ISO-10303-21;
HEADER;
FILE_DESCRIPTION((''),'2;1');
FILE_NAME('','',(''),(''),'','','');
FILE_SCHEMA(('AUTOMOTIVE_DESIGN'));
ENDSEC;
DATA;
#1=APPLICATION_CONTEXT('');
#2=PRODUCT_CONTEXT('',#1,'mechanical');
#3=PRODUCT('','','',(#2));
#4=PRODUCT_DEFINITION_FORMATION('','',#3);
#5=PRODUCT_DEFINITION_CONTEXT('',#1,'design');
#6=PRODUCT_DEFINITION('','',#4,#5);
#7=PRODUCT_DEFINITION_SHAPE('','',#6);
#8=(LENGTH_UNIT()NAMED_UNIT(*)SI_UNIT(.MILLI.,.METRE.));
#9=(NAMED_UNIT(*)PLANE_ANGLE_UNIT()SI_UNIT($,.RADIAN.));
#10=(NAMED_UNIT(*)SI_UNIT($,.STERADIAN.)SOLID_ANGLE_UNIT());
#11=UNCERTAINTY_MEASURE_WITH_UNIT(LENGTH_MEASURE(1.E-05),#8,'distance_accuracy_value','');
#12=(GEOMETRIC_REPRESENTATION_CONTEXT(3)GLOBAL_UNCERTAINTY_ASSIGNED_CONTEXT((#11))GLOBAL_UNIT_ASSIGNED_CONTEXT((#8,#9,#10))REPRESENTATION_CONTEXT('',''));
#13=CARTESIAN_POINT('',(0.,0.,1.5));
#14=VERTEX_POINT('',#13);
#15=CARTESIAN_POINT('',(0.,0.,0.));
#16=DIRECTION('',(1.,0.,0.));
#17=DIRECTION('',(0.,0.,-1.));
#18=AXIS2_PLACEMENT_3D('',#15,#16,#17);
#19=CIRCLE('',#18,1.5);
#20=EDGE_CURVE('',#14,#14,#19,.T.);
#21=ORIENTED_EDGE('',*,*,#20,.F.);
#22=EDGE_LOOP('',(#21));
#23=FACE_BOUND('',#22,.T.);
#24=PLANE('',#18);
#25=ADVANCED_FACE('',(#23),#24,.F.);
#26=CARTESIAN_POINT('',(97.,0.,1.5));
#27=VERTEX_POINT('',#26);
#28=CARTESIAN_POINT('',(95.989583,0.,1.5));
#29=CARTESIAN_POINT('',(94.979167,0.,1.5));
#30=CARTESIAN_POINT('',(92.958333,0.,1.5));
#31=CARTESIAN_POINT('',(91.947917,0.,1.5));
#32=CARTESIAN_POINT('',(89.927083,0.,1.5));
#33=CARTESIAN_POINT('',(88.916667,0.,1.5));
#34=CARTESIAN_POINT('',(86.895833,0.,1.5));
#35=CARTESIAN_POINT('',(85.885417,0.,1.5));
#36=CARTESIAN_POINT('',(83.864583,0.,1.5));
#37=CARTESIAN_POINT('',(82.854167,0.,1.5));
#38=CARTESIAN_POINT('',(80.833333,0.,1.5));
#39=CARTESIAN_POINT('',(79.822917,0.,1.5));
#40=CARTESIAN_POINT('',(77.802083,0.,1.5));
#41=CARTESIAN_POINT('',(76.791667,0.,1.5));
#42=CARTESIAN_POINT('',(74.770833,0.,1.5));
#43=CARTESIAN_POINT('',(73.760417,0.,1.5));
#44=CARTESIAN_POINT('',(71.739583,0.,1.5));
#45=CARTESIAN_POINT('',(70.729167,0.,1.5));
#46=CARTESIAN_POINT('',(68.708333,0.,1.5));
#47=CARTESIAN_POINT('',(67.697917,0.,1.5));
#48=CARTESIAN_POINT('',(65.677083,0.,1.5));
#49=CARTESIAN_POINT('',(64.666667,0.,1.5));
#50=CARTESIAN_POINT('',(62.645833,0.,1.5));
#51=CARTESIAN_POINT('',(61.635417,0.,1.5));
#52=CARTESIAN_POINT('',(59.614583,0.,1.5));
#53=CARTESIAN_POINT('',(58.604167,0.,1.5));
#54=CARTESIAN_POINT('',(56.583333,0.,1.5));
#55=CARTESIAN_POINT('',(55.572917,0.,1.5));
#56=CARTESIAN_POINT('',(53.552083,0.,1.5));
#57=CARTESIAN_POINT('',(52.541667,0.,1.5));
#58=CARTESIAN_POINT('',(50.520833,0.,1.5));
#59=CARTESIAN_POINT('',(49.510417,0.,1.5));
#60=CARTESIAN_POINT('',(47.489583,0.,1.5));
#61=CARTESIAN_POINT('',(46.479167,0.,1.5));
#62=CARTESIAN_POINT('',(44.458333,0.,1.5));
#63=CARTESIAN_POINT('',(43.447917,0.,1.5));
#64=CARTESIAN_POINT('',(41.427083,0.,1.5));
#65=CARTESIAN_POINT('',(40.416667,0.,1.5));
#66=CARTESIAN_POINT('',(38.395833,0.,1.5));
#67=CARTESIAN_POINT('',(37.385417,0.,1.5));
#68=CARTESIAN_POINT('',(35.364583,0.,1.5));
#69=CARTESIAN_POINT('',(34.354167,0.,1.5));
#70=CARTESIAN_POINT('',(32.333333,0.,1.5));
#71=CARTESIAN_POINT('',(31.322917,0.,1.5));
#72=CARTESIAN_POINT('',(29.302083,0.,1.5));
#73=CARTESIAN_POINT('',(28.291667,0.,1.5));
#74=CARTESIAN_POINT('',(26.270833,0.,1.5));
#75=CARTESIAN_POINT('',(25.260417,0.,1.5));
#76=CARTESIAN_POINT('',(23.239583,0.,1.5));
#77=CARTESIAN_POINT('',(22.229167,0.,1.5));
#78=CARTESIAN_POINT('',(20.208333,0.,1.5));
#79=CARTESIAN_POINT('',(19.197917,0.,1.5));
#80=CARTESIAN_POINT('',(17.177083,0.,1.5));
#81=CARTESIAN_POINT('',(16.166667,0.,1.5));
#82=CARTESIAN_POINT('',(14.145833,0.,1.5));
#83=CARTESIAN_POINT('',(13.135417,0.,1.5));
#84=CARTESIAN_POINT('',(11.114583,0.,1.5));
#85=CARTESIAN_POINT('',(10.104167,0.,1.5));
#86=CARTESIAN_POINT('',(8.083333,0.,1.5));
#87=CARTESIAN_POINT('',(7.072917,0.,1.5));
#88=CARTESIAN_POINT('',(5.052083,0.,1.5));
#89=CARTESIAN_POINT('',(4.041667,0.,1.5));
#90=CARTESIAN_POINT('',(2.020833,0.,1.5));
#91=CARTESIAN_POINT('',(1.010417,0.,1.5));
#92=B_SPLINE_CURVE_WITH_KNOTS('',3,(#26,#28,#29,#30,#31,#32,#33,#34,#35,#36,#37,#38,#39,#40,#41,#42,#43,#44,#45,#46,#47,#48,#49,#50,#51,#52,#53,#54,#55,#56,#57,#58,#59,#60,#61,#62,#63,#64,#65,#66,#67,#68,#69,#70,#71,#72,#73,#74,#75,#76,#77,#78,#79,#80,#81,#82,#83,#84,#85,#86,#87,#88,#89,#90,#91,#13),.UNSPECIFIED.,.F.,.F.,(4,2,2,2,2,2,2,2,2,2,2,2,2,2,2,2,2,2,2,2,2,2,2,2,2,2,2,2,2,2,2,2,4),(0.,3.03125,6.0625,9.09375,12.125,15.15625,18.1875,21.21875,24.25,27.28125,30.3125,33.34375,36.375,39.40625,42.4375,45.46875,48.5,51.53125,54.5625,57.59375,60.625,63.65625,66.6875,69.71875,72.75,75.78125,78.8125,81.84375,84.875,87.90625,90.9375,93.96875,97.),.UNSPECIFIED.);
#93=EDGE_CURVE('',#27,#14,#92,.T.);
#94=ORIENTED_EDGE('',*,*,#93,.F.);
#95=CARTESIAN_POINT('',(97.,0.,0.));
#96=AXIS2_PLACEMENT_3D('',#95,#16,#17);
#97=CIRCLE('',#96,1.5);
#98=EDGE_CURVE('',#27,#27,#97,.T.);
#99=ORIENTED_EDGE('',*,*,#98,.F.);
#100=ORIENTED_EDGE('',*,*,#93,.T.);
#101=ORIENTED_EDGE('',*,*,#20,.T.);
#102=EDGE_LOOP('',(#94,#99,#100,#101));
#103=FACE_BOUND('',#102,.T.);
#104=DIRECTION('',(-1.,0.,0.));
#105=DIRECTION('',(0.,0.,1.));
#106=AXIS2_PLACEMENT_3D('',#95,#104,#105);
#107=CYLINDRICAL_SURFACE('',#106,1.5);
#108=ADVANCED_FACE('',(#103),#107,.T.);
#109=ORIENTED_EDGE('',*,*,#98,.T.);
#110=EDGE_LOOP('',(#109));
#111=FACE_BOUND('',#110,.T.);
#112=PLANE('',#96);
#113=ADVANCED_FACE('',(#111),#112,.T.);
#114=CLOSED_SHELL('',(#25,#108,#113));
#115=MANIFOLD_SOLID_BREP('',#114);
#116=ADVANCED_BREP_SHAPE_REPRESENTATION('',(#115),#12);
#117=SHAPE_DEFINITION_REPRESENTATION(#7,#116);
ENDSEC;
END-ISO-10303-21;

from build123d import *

# Parameters (mm, degrees)
SKETCH1_R           = 1.5
BOSS_EXTRUDE1_DEPTH = 97


with BuildPart() as part:
    # Sketch1 → Boss-Extrude1 (new body)
    with BuildSketch(Plane(origin=(0, 0, 0), x_dir=(0, 0, -1), z_dir=(1, 0, 0))):
        with Locations(Location((0, 0, 0), (0, 0, 180))):
            Circle(SKETCH1_R)
    extrude(amount=BOSS_EXTRUDE1_DEPTH)


solid = part.part
